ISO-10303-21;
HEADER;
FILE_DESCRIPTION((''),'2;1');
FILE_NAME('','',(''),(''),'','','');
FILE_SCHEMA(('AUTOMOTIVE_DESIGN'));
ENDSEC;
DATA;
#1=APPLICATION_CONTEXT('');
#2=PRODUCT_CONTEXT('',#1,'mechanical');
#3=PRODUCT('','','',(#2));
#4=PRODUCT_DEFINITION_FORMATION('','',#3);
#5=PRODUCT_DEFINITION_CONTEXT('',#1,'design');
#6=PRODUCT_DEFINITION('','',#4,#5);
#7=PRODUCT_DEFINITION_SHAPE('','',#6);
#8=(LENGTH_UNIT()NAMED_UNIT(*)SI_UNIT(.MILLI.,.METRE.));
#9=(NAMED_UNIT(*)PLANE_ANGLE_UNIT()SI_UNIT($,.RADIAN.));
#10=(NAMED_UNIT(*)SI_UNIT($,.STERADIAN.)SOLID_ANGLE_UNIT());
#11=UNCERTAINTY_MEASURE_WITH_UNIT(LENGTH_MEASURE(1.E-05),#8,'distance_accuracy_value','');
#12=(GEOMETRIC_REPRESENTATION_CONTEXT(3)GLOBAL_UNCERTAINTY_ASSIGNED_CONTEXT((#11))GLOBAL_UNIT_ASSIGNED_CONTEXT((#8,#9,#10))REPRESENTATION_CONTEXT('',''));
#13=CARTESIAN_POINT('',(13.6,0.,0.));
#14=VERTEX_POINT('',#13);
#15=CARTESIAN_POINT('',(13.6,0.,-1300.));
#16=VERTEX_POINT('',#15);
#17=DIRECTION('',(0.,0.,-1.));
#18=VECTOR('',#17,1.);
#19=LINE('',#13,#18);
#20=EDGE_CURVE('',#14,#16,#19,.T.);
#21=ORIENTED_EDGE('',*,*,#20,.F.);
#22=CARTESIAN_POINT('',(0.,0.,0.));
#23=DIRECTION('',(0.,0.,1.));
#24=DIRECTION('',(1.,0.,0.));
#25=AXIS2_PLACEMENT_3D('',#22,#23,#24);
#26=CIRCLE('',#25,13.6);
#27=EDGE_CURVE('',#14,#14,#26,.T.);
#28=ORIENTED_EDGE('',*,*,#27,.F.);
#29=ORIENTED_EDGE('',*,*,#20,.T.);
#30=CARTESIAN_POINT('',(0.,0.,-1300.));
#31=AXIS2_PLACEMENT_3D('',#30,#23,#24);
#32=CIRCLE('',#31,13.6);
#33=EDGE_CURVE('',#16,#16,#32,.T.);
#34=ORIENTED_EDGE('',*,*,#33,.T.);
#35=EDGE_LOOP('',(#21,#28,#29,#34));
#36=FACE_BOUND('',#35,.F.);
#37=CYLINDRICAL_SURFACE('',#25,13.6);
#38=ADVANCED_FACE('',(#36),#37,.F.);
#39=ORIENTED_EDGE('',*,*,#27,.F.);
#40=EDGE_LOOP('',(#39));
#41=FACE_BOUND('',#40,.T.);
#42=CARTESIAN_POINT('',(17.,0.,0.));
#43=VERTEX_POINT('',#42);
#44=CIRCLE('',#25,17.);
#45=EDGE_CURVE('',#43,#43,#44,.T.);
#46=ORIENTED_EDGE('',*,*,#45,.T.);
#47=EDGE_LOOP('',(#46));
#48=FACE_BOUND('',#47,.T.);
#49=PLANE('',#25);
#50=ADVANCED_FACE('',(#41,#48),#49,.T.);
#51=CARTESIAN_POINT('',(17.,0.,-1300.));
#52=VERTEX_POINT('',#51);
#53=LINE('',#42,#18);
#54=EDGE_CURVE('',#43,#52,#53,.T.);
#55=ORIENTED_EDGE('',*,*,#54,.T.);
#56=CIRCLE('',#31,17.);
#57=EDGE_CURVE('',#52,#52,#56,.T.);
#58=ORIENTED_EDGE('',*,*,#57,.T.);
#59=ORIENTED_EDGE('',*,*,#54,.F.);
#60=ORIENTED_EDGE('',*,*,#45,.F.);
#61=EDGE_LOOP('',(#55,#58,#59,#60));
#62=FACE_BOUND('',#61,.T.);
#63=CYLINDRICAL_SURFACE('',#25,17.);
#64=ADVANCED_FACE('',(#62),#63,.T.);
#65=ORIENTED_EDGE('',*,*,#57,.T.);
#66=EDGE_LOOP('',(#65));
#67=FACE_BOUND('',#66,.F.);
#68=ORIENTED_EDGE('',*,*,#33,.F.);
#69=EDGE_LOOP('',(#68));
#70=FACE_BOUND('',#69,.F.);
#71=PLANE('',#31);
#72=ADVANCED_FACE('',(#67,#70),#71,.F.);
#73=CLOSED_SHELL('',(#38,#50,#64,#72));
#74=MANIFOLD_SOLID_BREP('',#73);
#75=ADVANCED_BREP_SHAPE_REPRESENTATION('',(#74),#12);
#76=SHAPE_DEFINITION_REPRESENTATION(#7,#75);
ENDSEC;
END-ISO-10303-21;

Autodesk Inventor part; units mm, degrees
ref_plane "YZ Plane" through (0, 0, 0) normal (1, 0, 0) x (0, 1, 0)
ref_plane "XZ Plane" through (0, 0, 0) normal (0, 1, 0) x (-1, 0, 0)
ref_plane "XY Plane" through (0, 0, 0) normal (0, 0, 1) x (1, 0, 0)
sketch "スケッチ1" plane through (0, 0, 0) normal (0, 0, 1) x (1, 0, 0)
  circle A0 centre (0, 0) radius 17
  circle A1 centre (0, 0) radius 13.6
  dimension "d0" = 34
  dimension "d1" = 27.2
extrude "押し出し1" add sketch "スケッチ1" against normal blind 1300
equation "\"BendRadius\" = Thickness"
equation "\"BendReliefWidth\" = Thickness"
equation "\"BendReliefDepth\" = 0.5 * Thickness"
equation "\"CornerReliefSize\" = 4 * Thickness"
equation "\"MinimumRemnant\" = 2 * Thickness"
equation "\"TransitionRadius\" = BendRadius"
equation "\"JacobiRadiusSize\" = BendRadius"
equation "\"GapSize\" = Thickness"
equation "\"Thickness\" = 3.048"
properties part number "B_probe_pipe_5_for-non-rotating_1" material "ステンレス鋼 440C"
